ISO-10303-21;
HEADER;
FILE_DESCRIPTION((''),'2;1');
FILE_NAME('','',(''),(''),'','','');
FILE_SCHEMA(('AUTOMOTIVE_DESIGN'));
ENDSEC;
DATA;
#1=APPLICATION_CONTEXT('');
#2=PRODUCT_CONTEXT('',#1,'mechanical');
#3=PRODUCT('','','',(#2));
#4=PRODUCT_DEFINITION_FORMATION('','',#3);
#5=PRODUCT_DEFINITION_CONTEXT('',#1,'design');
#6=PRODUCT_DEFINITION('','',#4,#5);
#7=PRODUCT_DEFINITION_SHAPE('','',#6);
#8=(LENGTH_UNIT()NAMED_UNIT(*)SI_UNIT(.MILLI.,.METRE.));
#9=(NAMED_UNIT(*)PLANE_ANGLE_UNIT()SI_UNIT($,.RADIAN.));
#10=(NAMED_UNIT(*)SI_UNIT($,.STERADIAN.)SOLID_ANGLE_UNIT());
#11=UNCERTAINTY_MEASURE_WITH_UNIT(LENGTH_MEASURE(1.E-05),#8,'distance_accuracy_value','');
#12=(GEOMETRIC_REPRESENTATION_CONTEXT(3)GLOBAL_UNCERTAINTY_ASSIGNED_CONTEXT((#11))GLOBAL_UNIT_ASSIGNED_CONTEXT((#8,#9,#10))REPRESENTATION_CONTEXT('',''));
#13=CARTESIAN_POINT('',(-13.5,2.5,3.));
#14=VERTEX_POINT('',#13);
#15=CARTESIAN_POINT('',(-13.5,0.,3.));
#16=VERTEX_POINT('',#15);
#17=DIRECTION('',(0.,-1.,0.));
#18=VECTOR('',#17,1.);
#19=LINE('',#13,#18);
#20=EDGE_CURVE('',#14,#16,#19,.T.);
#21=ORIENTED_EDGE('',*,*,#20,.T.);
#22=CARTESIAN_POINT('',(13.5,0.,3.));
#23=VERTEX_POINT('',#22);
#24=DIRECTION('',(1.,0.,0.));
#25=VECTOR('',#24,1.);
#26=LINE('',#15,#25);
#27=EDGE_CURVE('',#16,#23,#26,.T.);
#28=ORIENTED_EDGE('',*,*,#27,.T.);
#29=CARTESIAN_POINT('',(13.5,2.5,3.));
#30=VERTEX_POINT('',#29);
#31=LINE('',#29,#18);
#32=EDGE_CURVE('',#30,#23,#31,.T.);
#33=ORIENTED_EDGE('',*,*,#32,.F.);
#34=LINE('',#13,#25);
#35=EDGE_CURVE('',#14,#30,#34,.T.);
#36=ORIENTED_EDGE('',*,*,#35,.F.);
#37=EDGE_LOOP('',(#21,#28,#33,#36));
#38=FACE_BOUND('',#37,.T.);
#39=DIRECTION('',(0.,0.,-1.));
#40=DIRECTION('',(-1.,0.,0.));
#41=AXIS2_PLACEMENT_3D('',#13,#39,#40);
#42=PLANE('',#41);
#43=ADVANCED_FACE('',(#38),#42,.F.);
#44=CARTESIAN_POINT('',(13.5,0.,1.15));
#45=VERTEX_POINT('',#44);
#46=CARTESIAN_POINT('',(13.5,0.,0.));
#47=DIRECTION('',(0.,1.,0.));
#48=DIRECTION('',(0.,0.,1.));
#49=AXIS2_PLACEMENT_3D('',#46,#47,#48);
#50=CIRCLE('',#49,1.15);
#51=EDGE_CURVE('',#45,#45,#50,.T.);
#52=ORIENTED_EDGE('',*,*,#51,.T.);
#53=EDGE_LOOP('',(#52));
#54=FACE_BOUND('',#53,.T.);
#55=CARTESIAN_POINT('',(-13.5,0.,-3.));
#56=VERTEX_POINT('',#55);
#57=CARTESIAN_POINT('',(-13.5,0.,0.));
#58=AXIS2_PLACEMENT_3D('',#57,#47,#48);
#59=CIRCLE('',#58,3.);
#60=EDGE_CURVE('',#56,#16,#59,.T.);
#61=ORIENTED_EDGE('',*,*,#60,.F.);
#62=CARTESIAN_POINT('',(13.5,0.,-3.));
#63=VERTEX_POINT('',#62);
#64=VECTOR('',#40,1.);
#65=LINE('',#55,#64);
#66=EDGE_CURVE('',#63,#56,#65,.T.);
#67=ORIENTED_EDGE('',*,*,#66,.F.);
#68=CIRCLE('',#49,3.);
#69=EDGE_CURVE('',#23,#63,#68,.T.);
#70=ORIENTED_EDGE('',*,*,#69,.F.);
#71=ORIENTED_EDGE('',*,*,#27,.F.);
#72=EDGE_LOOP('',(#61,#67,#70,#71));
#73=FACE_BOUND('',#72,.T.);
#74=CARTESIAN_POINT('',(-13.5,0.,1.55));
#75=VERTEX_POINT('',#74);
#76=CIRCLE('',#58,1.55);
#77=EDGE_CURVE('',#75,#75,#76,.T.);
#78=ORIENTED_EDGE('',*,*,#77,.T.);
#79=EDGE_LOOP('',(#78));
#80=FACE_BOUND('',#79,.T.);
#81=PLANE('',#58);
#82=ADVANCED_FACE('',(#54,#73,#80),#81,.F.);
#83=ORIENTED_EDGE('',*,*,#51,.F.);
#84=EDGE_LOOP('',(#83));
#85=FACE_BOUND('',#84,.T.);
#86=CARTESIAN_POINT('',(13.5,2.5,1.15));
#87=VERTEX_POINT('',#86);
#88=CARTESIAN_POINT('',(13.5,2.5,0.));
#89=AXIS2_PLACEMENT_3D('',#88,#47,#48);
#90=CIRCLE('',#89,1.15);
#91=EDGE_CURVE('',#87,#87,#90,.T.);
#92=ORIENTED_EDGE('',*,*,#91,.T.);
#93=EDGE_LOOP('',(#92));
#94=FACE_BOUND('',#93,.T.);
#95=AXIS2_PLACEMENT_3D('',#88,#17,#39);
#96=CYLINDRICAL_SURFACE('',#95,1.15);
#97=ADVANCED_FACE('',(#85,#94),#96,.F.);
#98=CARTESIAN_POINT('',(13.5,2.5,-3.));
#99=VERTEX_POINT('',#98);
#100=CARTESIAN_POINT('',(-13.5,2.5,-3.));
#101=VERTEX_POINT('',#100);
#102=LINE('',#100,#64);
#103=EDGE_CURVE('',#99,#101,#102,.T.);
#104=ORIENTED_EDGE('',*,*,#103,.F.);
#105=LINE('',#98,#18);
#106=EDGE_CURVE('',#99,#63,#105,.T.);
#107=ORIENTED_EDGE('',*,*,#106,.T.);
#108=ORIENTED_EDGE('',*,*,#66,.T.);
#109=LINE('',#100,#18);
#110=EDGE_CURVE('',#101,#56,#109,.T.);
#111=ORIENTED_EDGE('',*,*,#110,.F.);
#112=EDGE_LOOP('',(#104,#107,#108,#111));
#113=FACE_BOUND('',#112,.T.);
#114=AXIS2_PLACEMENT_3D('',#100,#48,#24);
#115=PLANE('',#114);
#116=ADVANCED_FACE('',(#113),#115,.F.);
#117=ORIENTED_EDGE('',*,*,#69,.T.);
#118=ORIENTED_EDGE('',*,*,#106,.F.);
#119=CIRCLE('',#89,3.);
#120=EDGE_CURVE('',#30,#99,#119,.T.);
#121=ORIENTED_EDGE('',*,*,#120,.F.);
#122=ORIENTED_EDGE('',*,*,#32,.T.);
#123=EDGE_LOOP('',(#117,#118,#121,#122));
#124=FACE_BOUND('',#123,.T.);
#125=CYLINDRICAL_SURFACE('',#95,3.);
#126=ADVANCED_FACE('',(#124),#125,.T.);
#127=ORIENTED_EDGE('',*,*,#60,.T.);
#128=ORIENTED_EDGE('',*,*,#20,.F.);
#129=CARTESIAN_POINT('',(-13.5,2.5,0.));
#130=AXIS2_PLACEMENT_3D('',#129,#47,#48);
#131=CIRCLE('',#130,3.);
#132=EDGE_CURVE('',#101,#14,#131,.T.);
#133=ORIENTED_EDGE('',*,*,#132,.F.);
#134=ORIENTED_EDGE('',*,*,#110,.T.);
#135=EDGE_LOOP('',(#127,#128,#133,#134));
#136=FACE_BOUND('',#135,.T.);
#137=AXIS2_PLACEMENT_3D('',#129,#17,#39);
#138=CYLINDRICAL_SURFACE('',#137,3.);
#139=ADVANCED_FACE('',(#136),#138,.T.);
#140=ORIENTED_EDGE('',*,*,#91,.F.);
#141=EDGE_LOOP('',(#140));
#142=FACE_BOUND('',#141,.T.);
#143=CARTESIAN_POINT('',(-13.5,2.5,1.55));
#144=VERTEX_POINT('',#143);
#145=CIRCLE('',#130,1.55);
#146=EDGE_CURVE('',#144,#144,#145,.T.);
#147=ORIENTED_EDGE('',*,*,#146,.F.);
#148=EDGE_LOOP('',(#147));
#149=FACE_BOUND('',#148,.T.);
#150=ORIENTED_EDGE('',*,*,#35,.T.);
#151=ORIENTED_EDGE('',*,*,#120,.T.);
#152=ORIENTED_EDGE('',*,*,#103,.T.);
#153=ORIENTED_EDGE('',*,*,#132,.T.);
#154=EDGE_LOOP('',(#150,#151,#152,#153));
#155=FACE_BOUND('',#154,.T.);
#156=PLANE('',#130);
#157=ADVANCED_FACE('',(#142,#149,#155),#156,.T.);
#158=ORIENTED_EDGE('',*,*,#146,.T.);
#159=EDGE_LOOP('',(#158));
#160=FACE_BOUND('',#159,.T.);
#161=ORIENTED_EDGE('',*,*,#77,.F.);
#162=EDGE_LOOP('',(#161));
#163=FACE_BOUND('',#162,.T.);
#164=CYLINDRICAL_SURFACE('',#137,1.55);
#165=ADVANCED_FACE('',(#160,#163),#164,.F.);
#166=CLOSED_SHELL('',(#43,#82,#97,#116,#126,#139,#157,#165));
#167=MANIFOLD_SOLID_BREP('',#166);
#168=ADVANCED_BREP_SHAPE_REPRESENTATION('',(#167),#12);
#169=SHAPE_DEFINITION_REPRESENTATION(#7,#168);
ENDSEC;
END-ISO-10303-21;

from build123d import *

# Parameters (mm, degrees)
SKETCH_1_R      = 1.55
SKETCH_1_R_2    = 1.15
EXTRUDE_1_DEPTH = 2.5


with BuildPart() as part:
    # 草图1 → 凸台-拉伸1 (new body)
    with BuildSketch(Plane(origin=(0, 0, 0), x_dir=(1, 0, 0), z_dir=(0, 1, 0))):
        with BuildLine():
            Line((-13.5, 3), (13.5, 3))
            ThreePointArc((13.5, 3), (16.5, 0), (13.5, -3))
            Line((13.5, -3), (-13.5, -3))
            ThreePointArc((-13.5, -3), (-16.5, 0), (-13.5, 3))
        make_face()
        with Locations(Location((-13.5, 0, 0), (0, 0, 270))):
            Circle(SKETCH_1_R, mode=Mode.SUBTRACT)
        with Locations(Location((13.5, 0, 0), (0, 0, 270))):
            Circle(SKETCH_1_R_2, mode=Mode.SUBTRACT)
    extrude(amount=EXTRUDE_1_DEPTH)


solid = part.part
